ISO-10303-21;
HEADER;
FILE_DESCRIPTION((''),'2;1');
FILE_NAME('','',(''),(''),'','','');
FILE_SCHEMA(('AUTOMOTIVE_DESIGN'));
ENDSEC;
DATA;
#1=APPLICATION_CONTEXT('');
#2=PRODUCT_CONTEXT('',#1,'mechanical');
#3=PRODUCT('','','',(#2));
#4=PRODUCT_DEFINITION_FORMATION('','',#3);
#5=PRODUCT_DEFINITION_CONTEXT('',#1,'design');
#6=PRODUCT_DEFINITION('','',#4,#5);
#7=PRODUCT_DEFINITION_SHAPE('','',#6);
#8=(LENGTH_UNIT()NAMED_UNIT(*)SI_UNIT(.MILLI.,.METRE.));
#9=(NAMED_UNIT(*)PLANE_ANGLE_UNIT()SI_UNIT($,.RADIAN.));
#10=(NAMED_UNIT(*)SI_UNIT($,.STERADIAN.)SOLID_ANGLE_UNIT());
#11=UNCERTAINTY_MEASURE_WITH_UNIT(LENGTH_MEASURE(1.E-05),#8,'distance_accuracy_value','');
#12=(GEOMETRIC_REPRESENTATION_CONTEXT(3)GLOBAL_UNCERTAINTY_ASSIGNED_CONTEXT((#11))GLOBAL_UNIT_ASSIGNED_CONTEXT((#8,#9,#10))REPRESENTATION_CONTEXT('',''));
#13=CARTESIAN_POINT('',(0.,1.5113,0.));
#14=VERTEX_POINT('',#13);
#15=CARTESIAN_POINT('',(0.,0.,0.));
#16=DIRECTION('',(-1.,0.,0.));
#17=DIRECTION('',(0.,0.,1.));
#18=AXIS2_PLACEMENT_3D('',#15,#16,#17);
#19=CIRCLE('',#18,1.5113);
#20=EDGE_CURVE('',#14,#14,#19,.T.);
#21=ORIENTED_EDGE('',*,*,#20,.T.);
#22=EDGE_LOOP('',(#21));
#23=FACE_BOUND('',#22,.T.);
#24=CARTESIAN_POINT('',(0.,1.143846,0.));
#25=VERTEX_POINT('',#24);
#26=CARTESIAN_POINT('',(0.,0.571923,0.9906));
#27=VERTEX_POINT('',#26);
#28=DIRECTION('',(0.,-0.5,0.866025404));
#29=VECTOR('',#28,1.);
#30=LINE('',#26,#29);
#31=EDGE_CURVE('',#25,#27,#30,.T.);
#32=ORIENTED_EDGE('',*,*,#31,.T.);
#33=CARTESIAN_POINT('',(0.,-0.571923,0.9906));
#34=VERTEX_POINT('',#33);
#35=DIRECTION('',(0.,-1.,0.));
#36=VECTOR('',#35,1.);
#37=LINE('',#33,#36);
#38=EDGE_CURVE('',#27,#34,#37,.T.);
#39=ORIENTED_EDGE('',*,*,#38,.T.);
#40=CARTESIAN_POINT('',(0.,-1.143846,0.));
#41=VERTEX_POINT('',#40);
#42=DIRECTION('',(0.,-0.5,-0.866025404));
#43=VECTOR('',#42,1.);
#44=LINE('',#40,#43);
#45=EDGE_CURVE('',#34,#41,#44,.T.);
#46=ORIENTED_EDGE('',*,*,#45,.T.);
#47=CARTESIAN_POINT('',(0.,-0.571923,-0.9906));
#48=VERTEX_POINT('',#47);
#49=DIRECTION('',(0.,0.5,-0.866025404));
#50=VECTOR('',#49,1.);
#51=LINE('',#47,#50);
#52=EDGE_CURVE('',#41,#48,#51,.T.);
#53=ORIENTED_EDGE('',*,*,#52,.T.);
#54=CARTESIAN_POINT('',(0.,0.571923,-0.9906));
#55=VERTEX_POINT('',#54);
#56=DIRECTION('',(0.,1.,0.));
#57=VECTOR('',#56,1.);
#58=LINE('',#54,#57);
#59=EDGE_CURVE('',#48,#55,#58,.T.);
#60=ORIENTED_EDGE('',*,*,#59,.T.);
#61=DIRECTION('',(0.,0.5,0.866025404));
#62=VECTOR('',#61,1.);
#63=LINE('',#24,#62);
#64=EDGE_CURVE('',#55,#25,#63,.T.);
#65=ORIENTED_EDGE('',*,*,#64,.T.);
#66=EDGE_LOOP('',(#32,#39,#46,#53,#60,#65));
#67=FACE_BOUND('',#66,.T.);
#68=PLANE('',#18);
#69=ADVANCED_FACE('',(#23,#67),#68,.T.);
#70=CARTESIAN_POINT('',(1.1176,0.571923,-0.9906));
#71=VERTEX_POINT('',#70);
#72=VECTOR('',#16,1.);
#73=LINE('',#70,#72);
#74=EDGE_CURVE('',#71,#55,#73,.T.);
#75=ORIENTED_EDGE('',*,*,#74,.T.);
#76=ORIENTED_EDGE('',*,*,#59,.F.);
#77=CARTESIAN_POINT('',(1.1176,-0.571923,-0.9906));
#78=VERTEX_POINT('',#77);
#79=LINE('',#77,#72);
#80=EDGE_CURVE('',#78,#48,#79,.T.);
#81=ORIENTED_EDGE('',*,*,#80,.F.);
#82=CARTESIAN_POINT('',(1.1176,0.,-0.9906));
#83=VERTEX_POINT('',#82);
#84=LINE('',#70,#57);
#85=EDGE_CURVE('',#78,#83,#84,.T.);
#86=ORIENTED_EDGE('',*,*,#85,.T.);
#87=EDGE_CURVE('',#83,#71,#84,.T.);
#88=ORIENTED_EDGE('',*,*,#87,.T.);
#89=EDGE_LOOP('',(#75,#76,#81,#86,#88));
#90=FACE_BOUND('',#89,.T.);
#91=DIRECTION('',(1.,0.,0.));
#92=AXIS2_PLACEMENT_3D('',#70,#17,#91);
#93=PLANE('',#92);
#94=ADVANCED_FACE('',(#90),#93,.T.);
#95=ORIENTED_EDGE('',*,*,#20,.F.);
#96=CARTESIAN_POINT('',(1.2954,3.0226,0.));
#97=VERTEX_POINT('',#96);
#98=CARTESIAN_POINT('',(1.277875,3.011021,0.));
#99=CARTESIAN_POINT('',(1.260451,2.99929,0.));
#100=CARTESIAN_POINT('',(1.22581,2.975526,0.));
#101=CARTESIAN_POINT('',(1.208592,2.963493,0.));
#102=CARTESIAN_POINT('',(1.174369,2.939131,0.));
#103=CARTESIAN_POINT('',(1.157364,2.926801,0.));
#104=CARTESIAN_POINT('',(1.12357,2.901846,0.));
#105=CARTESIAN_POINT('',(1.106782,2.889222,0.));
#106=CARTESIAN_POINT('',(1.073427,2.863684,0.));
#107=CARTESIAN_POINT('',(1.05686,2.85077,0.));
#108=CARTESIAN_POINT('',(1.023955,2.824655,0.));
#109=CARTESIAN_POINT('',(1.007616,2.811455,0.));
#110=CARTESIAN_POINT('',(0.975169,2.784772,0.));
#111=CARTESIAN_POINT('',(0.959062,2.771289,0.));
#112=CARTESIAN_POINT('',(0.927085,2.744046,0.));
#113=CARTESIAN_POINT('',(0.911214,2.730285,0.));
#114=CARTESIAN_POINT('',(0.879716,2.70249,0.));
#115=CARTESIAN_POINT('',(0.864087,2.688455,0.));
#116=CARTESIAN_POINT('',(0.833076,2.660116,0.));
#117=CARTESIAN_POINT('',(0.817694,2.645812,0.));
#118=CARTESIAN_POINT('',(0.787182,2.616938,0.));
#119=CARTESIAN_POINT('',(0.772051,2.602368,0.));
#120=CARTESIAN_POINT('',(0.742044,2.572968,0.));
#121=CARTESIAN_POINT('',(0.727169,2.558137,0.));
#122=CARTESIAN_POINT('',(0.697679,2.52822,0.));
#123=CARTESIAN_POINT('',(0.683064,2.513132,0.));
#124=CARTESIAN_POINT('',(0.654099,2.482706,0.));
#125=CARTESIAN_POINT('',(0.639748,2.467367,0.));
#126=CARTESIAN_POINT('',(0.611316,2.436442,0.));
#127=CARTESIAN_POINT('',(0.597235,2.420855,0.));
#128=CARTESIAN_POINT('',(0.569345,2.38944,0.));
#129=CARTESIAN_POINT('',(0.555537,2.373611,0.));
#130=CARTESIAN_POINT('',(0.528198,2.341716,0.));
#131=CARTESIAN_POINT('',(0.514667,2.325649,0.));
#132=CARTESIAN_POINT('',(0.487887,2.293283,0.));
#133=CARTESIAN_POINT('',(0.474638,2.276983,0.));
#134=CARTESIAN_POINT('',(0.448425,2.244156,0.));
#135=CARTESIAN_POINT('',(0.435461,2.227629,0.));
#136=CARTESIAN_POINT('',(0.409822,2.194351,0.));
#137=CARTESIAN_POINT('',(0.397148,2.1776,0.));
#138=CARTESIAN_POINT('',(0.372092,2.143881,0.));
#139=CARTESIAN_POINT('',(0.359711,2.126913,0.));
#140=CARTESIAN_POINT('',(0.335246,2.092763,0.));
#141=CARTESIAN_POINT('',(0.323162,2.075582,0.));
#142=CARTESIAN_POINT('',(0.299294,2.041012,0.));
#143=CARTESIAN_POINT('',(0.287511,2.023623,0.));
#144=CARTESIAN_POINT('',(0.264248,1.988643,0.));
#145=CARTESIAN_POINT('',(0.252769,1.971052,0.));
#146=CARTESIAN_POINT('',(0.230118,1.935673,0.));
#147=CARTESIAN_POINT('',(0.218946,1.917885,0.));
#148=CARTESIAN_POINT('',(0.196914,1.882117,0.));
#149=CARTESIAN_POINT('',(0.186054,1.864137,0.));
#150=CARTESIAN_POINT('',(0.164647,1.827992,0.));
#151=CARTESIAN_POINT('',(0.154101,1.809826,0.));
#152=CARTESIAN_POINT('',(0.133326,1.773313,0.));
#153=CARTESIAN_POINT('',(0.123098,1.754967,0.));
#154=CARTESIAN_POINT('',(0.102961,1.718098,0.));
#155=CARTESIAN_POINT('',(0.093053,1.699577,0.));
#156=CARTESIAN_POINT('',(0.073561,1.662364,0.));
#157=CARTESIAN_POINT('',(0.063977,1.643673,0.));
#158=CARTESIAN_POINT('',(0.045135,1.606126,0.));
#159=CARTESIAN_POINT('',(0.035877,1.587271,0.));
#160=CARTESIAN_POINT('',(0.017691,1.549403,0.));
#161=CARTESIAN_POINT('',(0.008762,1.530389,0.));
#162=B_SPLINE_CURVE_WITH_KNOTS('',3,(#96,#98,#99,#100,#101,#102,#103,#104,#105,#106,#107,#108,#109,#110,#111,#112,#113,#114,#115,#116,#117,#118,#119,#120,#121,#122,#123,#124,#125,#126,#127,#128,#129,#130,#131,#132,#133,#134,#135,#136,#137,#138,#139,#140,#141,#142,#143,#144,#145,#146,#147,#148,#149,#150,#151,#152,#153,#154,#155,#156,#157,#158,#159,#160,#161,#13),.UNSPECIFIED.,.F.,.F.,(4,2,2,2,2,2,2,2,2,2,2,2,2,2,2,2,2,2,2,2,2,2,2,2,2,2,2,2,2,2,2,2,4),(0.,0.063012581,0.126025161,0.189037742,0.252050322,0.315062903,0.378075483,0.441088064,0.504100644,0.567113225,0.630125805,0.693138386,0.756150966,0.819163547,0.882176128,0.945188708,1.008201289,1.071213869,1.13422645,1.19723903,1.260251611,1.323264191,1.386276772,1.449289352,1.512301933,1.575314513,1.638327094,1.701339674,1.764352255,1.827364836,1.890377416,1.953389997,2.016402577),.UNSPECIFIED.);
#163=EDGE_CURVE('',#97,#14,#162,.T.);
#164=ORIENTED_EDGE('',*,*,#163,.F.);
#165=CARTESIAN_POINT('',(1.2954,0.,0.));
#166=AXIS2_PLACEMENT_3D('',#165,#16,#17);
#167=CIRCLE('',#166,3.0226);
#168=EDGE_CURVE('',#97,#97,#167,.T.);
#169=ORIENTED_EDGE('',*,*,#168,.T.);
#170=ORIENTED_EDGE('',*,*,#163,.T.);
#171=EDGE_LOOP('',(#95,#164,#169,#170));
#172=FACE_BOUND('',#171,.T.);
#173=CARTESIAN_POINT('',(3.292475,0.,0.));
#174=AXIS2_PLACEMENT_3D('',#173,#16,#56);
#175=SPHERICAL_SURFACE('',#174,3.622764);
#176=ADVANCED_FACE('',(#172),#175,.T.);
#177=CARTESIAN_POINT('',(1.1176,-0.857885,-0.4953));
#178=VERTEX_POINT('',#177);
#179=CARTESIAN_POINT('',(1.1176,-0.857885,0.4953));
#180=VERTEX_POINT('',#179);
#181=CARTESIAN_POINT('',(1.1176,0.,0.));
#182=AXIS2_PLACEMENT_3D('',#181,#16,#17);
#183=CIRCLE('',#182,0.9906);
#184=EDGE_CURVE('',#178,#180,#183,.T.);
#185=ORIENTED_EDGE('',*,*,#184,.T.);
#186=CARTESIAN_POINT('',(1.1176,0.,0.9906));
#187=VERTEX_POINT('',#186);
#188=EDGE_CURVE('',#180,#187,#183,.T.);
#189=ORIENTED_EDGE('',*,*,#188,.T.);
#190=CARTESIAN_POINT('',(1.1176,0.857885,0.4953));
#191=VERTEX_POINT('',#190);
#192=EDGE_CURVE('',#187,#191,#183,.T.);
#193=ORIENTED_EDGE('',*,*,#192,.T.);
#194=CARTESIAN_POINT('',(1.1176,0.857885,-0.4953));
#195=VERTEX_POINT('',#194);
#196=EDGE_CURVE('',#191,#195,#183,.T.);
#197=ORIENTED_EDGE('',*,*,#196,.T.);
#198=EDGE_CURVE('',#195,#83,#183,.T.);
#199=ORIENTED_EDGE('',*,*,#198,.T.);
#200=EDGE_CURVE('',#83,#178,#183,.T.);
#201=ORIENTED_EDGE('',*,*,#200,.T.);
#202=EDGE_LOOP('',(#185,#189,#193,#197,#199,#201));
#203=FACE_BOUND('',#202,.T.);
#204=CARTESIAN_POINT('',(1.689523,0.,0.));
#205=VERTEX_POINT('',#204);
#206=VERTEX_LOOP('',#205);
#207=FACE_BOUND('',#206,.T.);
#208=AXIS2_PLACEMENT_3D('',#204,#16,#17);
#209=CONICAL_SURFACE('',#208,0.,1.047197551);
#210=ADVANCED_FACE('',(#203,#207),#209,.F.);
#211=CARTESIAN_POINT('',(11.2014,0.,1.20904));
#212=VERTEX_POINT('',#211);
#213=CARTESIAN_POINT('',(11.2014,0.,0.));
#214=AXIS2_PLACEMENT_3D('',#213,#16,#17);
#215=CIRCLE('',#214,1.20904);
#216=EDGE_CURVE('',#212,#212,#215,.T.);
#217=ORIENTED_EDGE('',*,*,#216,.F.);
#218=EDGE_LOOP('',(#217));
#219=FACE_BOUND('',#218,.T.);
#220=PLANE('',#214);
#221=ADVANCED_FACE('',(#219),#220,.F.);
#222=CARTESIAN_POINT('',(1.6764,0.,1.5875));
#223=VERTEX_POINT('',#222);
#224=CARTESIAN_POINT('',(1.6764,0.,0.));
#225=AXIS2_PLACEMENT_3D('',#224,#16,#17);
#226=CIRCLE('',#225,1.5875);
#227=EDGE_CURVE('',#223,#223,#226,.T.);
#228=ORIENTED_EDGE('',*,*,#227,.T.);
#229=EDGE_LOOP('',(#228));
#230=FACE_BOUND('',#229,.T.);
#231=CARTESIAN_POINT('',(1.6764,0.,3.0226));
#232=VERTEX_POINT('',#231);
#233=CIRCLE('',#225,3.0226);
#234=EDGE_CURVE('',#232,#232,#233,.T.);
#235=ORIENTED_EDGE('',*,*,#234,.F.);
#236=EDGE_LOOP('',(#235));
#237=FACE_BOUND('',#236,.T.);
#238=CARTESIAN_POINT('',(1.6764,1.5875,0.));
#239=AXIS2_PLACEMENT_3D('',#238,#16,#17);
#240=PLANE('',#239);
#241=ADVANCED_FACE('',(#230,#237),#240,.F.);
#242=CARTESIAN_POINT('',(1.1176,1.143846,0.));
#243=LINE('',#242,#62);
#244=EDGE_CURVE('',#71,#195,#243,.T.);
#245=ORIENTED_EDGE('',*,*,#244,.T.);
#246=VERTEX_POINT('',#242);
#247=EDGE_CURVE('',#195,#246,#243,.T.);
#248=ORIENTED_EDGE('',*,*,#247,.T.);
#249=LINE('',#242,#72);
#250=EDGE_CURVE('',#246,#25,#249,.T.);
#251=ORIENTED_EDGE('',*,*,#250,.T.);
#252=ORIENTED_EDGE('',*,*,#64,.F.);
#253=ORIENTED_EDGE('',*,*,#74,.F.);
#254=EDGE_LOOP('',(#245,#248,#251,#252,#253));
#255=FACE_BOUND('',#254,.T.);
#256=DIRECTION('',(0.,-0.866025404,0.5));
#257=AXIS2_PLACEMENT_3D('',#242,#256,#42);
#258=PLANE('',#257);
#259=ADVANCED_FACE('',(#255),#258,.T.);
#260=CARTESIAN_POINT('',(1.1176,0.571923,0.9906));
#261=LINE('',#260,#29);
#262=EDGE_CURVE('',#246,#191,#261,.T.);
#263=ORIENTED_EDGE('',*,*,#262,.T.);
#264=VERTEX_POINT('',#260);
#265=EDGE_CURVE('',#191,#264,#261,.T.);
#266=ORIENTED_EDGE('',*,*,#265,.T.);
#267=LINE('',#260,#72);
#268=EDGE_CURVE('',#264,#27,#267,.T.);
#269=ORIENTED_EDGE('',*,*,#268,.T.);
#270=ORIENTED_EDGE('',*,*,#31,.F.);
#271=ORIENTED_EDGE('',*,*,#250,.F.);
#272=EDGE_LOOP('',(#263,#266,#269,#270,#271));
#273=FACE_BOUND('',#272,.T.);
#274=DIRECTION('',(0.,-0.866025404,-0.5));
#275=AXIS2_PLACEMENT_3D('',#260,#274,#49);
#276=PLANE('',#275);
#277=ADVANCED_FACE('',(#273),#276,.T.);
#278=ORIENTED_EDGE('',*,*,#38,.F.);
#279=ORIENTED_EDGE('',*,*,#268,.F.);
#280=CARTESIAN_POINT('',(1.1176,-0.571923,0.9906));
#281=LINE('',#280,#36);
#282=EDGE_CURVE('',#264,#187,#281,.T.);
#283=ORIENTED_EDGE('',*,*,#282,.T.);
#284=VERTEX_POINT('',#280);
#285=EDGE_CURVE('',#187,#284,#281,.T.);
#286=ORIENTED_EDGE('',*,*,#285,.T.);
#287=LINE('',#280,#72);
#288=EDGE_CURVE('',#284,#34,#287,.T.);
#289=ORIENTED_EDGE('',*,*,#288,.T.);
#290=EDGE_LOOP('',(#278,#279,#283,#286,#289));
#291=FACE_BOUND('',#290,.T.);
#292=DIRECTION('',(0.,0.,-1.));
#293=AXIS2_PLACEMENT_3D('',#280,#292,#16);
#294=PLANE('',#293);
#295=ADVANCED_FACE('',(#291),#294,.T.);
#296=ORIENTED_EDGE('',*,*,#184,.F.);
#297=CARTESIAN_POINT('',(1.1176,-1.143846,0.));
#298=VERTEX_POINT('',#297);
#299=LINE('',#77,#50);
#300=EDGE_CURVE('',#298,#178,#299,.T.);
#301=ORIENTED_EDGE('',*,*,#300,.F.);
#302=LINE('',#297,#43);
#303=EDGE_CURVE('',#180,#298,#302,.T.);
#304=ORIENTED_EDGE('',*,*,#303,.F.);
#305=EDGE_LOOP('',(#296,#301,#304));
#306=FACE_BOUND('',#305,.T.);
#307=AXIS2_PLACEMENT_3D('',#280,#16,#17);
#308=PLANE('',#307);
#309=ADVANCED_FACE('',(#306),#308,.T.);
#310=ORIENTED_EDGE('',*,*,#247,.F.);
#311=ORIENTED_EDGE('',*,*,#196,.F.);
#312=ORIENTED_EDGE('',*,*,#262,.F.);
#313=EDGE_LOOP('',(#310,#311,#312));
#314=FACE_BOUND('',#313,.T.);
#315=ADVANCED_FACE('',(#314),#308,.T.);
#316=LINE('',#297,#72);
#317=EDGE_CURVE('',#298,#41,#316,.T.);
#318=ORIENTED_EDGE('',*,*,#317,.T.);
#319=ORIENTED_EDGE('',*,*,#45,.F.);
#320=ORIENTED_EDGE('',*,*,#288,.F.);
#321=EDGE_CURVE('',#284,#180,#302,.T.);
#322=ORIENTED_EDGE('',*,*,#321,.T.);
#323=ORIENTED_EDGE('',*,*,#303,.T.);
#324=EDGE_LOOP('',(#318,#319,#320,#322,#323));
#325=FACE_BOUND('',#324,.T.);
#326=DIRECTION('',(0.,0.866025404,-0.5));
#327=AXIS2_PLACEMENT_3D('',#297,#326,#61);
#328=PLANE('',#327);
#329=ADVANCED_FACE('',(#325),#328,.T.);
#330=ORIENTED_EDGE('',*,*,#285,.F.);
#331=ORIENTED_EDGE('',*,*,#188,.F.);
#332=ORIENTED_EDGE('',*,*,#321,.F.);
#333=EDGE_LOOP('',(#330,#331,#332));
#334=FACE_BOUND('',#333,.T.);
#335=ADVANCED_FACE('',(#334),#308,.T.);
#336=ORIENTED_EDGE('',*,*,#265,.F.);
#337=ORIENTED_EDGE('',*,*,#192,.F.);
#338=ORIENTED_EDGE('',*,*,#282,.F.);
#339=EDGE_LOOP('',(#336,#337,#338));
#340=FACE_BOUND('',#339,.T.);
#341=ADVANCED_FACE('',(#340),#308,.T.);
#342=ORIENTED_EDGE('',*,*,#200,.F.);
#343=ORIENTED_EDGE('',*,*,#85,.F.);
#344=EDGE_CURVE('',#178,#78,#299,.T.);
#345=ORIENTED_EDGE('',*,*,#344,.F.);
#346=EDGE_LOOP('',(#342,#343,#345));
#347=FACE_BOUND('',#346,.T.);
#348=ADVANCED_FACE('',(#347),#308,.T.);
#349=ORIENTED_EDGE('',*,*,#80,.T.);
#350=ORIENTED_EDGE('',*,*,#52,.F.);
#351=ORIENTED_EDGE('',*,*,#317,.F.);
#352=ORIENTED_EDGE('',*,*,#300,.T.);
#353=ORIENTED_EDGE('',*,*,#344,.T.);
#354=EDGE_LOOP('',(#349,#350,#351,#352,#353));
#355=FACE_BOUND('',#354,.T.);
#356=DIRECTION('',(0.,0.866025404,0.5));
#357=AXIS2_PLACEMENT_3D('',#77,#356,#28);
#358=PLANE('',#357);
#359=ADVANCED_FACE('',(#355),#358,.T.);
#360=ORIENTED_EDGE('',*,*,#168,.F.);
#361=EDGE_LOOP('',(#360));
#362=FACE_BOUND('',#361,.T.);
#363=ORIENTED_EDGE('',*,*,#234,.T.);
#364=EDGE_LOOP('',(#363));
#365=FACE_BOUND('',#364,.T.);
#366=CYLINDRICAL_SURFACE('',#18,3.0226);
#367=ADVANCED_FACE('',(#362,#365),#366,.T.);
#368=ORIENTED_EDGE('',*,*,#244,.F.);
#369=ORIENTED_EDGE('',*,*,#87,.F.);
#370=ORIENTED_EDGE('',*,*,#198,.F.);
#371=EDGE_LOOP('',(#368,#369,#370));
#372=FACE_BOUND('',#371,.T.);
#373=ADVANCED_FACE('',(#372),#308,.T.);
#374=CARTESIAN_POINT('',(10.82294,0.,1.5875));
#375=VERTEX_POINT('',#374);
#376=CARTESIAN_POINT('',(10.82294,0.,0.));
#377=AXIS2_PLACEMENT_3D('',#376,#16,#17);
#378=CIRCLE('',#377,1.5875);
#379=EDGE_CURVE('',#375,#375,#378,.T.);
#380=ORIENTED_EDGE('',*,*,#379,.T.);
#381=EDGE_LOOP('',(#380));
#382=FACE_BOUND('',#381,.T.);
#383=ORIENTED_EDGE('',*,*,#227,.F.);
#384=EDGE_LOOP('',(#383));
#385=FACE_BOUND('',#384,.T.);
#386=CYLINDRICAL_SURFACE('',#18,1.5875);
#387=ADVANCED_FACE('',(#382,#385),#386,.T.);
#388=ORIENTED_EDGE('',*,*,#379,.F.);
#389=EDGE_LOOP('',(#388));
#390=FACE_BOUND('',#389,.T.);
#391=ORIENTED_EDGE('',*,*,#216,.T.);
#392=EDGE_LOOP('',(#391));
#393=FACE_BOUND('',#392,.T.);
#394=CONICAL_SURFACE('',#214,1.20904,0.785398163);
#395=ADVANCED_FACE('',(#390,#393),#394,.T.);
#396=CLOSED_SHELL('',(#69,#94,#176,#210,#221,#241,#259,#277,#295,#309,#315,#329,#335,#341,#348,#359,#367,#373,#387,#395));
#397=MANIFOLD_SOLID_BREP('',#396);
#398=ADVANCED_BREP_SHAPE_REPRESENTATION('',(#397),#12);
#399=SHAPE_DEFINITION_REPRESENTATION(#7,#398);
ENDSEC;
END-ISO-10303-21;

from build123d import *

# Parameters (mm, degrees)
HEX_2_DEPTH = 1.1176


with BuildPart() as part:
    # BodySke → BaseBody (revolve)
    with BuildSketch(Plane.XY, mode=Mode.PRIVATE) as basebody_sk:
        with BuildLine():
            Line((11.2014, 0), (11.2014, 1.20904))
            Line((11.2014, 1.20904), (10.82294, 1.5875))
            Line((10.82294, 1.5875), (1.6764, 1.5875))
            Line((1.6764, 1.5875), (1.6764, 3.0226))
            Line((1.6764, 3.0226), (1.2954, 3.0226))
            ThreePointArc((1.2954, 3.0226), (0.541867481, 2.357663588), (0, 1.5113))
            Line((0, 1.5113), (0, 0))
            Line((0, 0), (11.2014, 0))
        make_face()
    revolve(basebody_sk.sketch.rotate(Axis((0, 0, 0), (1, 0, 0)), 90), axis=Axis((0, 0, 0), (1, 0, 0)))

    # Sketch2 → PreBroach (revolve, cut)
    with BuildSketch(Plane.XY, mode=Mode.PRIVATE) as prebroach_sk:
        Polygon((0, 0.9906), (1.1176, 0.9906), (1.689523177, 0), (0, 0), align=None)
    revolve(prebroach_sk.sketch.rotate(Axis((0, 0, 0), (1, 0, 0)), 90), axis=Axis((0, 0, 0), (1, 0, 0)), mode=Mode.SUBTRACT)

    # Sketch3 → Hex 2 (cut)
    with BuildSketch(Plane(origin=(0, 0, 0), x_dir=(0, 0, -1), z_dir=(1, 0, 0))):
        Polygon((-0.9906, -0.571923177), (-0.9906, 0.571923177), (0, 1.143846353), (0.9906, 0.571923177), (0.9906, -0.571923177), (0, -1.143846353), align=None)
    extrude(amount=HEX_2_DEPTH, mode=Mode.SUBTRACT)


solid = part.part
